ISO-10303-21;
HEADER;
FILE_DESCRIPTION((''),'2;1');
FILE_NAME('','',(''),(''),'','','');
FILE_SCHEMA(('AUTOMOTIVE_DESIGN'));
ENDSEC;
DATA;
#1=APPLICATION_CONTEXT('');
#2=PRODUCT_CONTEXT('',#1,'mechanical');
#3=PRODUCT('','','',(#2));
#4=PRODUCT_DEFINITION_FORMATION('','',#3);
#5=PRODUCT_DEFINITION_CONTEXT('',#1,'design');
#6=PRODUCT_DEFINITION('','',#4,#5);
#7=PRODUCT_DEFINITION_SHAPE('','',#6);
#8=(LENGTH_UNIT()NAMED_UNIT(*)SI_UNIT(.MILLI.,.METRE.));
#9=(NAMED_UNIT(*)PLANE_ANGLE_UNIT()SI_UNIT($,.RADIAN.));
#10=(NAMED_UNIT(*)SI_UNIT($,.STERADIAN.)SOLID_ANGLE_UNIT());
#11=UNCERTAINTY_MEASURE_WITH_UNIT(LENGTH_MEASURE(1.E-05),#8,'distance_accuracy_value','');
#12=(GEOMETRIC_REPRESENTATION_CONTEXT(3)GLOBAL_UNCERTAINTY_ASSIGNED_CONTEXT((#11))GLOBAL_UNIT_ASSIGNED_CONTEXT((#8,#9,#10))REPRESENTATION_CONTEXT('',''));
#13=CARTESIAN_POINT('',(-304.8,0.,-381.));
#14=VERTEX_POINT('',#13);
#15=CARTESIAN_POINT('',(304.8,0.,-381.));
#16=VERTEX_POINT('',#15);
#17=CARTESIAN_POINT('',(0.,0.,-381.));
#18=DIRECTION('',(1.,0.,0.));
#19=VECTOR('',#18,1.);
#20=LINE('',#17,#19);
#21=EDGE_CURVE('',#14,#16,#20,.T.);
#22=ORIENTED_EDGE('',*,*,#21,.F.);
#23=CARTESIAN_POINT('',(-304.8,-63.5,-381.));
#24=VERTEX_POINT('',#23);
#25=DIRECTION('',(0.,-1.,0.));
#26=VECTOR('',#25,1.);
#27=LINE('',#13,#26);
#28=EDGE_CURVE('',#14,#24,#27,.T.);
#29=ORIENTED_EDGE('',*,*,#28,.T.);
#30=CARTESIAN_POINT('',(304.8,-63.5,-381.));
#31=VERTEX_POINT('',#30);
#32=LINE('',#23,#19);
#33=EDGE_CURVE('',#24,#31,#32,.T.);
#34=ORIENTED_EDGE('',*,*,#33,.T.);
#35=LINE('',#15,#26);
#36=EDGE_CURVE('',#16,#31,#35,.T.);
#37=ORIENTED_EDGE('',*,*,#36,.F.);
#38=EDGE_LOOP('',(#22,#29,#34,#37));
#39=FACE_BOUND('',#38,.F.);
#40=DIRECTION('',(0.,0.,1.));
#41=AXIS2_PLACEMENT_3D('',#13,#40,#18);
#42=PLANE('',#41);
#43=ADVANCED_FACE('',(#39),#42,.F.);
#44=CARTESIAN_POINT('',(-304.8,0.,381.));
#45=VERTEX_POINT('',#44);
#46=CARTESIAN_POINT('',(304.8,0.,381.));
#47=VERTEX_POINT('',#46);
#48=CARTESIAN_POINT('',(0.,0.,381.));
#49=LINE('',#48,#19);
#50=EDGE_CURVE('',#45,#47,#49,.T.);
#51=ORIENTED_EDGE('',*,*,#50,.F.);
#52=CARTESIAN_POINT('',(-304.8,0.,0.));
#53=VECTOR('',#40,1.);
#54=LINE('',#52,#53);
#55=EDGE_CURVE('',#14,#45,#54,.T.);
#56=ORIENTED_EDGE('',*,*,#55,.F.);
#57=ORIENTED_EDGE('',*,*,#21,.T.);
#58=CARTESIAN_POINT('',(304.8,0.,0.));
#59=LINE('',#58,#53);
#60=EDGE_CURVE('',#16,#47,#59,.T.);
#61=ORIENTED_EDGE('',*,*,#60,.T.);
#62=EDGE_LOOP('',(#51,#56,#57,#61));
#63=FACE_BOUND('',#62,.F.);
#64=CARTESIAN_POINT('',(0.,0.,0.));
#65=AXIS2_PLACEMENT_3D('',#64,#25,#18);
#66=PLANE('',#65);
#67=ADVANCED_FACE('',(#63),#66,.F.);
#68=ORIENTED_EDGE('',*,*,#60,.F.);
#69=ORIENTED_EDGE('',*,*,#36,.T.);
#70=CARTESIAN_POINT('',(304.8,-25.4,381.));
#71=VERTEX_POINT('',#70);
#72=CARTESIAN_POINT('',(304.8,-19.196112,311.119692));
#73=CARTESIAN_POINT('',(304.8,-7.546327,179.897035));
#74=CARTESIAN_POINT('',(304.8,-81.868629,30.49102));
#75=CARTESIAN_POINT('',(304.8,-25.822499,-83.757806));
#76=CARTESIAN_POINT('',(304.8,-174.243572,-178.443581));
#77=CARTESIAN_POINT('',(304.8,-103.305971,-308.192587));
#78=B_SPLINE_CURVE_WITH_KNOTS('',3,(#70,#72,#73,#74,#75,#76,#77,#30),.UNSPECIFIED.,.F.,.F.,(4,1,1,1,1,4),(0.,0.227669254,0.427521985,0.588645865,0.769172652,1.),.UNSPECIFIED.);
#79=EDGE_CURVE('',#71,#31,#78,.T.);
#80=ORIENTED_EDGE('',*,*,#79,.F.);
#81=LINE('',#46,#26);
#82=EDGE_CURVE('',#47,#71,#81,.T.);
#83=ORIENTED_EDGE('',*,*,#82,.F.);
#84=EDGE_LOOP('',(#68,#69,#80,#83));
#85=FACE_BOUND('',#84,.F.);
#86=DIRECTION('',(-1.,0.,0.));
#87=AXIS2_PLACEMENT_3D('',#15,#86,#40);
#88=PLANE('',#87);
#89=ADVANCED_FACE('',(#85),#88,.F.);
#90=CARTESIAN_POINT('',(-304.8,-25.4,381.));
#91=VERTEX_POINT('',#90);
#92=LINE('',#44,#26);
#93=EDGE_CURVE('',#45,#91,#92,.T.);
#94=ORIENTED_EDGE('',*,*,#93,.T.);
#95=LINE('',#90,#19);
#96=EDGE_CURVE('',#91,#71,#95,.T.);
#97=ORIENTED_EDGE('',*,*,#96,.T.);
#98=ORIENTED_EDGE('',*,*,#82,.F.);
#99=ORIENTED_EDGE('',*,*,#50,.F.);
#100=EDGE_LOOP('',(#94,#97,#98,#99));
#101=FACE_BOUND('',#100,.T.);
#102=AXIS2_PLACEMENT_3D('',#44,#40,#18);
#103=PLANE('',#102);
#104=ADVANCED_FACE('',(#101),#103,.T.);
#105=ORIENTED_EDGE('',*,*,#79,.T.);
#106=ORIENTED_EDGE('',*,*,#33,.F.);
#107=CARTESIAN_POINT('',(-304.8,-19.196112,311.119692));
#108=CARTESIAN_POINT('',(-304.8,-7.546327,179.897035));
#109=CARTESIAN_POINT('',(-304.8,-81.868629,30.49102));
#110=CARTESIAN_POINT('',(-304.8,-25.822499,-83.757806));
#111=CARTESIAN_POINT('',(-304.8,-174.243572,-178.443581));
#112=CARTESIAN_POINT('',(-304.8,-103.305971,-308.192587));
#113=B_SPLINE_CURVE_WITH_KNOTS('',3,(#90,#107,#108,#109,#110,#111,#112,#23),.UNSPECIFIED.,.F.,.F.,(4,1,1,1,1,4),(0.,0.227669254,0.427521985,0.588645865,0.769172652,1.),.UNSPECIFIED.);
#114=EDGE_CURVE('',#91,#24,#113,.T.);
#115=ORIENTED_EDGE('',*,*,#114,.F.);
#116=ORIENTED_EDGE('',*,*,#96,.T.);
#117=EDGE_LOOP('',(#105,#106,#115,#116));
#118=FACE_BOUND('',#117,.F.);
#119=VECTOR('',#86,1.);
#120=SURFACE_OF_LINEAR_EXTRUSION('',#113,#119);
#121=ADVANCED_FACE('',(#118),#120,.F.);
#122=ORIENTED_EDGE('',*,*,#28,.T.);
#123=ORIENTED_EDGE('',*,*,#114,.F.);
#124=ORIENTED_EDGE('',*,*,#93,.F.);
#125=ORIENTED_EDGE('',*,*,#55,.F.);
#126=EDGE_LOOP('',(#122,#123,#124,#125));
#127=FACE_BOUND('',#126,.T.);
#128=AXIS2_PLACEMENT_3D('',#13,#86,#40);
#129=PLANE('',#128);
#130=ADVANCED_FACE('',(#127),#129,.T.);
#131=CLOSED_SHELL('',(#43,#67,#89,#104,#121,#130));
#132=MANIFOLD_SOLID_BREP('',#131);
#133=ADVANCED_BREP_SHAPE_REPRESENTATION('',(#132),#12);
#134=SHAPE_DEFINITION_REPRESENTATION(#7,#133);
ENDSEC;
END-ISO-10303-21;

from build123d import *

# Parameters (mm, degrees)
F0_W     = 609.6
F0_H     = 762
F1_DEPTH = 228.6
F3_DEPTH = 609.6


with BuildPart() as f1:
    # F0 (on Front) → F1 (new body)
    with BuildSketch(Plane.XZ):
        Rectangle(F0_W, F0_H)
    extrude(amount=F1_DEPTH)

    # F2 (on face) → F3 (cut)
    with BuildSketch(Plane(origin=(-304.8, 0, 0), x_dir=(0, -1, 0), z_dir=(-1, 0, 0))):
        with BuildLine():
            Line((228.6, 381), (25.4, 381))
            add(Edge.make_bspline(
                [(25.4, 381), (19.1961119222, 311.1196923424), (7.5463268794, 179.8970352518), (81.8686285681, 30.4910204784), (25.8224990028, -83.7578061425), (174.2435715584, -178.4435805318), (103.3059710855, -308.1925867015), (63.5, -381)],
                knots=[0, 0, 0, 0, 0.2276692542, 0.4275219854, 0.5886458648, 0.7691726525, 1, 1, 1, 1], degree=3))
            Line((63.5, -381), (228.6, -381))
            Line((228.6, -381), (228.6, 381))
        make_face()
    extrude(amount=-F3_DEPTH, mode=Mode.SUBTRACT)


solid = f1.part
